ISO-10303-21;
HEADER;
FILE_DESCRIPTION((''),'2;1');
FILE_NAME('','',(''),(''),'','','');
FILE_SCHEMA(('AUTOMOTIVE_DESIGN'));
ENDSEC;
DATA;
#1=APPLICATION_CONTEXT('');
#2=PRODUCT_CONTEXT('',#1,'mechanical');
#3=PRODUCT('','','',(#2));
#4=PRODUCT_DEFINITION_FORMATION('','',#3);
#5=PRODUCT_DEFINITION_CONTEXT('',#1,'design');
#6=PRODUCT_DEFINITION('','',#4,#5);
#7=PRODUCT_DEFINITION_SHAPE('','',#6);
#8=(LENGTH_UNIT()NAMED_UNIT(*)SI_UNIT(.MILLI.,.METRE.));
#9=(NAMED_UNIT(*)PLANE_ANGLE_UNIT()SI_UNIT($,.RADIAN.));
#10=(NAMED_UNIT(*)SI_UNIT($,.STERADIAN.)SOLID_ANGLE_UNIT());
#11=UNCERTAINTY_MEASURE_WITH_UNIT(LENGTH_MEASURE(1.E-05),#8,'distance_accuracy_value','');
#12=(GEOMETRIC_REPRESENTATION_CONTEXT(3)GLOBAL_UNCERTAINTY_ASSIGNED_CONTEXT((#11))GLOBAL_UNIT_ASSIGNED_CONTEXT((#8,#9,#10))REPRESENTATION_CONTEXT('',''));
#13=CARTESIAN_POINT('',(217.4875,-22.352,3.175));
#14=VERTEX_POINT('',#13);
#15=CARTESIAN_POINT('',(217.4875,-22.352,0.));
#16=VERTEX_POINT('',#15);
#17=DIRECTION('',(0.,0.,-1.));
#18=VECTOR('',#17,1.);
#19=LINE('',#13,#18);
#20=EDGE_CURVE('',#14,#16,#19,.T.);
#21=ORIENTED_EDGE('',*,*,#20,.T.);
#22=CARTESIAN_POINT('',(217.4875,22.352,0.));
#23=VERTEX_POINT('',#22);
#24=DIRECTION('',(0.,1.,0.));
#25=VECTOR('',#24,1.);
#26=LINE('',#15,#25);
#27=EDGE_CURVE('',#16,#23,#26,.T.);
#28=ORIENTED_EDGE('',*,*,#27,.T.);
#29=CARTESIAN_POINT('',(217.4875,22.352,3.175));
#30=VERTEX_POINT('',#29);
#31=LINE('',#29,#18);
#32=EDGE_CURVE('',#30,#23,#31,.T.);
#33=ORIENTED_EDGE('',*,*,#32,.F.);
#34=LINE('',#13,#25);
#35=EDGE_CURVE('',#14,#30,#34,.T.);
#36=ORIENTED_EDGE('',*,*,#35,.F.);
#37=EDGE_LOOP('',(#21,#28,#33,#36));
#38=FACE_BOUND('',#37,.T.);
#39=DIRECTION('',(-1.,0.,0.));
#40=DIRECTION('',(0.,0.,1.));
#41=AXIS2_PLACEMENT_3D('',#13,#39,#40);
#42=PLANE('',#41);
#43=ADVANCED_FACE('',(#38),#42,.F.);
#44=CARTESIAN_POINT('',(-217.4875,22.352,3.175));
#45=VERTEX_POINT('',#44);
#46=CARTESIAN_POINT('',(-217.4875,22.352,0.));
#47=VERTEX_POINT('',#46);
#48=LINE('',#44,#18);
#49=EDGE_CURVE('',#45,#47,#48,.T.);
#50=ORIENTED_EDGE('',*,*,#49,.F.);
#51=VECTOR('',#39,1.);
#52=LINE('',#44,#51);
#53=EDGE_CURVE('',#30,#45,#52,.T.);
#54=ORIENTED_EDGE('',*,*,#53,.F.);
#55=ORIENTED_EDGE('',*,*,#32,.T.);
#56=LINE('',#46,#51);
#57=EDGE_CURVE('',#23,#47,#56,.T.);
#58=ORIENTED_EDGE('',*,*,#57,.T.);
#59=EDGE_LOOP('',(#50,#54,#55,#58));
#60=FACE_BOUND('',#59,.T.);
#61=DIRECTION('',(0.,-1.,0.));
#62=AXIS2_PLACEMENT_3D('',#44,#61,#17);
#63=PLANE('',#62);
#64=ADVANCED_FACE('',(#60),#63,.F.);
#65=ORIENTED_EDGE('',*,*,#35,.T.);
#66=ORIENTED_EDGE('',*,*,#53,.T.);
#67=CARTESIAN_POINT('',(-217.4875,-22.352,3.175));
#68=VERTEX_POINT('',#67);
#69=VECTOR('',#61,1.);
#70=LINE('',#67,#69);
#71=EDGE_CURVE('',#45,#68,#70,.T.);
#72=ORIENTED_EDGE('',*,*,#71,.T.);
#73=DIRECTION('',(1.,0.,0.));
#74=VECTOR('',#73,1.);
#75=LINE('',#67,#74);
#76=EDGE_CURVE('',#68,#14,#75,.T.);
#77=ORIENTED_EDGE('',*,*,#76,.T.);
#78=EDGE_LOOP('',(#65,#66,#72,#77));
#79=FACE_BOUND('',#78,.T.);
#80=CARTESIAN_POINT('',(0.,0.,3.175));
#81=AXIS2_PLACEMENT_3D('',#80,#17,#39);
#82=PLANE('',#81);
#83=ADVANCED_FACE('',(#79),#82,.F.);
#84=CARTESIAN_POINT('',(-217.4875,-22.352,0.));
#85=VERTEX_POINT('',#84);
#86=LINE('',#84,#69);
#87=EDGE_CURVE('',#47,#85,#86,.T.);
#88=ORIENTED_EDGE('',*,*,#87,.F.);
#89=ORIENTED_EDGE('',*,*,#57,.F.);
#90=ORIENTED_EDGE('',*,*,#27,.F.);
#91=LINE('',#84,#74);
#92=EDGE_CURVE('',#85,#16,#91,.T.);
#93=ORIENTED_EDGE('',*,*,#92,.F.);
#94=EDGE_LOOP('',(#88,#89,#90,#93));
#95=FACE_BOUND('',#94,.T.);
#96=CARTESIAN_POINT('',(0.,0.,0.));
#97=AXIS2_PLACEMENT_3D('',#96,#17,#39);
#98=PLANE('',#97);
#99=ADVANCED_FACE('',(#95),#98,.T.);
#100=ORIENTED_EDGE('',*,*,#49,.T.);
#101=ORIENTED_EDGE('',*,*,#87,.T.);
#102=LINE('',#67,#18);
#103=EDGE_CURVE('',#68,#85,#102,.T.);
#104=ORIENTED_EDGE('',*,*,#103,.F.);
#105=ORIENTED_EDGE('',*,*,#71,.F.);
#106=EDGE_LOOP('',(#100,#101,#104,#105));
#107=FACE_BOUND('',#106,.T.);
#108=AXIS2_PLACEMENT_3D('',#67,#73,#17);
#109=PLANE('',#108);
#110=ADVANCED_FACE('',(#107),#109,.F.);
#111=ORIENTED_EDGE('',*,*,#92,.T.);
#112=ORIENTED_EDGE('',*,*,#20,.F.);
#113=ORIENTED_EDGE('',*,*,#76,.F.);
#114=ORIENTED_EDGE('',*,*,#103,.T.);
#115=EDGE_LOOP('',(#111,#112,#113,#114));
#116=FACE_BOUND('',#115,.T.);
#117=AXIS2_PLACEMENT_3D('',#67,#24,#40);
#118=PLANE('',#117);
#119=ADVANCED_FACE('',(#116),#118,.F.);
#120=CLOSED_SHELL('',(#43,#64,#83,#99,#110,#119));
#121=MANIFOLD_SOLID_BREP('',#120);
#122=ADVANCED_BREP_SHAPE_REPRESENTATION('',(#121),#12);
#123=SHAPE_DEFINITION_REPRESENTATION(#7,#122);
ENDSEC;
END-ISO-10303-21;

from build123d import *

# Parameters (mm, degrees)
SKETCH1_W           = 434.975
SKETCH1_H           = 44.704
BOSS_EXTRUDE1_DEPTH = 3.175


with BuildPart() as part:
    # Sketch1 → Boss-Extrude1 (new body)
    with BuildSketch(Plane.XY):
        Rectangle(SKETCH1_W, SKETCH1_H)
    extrude(amount=BOSS_EXTRUDE1_DEPTH)


solid = part.part
